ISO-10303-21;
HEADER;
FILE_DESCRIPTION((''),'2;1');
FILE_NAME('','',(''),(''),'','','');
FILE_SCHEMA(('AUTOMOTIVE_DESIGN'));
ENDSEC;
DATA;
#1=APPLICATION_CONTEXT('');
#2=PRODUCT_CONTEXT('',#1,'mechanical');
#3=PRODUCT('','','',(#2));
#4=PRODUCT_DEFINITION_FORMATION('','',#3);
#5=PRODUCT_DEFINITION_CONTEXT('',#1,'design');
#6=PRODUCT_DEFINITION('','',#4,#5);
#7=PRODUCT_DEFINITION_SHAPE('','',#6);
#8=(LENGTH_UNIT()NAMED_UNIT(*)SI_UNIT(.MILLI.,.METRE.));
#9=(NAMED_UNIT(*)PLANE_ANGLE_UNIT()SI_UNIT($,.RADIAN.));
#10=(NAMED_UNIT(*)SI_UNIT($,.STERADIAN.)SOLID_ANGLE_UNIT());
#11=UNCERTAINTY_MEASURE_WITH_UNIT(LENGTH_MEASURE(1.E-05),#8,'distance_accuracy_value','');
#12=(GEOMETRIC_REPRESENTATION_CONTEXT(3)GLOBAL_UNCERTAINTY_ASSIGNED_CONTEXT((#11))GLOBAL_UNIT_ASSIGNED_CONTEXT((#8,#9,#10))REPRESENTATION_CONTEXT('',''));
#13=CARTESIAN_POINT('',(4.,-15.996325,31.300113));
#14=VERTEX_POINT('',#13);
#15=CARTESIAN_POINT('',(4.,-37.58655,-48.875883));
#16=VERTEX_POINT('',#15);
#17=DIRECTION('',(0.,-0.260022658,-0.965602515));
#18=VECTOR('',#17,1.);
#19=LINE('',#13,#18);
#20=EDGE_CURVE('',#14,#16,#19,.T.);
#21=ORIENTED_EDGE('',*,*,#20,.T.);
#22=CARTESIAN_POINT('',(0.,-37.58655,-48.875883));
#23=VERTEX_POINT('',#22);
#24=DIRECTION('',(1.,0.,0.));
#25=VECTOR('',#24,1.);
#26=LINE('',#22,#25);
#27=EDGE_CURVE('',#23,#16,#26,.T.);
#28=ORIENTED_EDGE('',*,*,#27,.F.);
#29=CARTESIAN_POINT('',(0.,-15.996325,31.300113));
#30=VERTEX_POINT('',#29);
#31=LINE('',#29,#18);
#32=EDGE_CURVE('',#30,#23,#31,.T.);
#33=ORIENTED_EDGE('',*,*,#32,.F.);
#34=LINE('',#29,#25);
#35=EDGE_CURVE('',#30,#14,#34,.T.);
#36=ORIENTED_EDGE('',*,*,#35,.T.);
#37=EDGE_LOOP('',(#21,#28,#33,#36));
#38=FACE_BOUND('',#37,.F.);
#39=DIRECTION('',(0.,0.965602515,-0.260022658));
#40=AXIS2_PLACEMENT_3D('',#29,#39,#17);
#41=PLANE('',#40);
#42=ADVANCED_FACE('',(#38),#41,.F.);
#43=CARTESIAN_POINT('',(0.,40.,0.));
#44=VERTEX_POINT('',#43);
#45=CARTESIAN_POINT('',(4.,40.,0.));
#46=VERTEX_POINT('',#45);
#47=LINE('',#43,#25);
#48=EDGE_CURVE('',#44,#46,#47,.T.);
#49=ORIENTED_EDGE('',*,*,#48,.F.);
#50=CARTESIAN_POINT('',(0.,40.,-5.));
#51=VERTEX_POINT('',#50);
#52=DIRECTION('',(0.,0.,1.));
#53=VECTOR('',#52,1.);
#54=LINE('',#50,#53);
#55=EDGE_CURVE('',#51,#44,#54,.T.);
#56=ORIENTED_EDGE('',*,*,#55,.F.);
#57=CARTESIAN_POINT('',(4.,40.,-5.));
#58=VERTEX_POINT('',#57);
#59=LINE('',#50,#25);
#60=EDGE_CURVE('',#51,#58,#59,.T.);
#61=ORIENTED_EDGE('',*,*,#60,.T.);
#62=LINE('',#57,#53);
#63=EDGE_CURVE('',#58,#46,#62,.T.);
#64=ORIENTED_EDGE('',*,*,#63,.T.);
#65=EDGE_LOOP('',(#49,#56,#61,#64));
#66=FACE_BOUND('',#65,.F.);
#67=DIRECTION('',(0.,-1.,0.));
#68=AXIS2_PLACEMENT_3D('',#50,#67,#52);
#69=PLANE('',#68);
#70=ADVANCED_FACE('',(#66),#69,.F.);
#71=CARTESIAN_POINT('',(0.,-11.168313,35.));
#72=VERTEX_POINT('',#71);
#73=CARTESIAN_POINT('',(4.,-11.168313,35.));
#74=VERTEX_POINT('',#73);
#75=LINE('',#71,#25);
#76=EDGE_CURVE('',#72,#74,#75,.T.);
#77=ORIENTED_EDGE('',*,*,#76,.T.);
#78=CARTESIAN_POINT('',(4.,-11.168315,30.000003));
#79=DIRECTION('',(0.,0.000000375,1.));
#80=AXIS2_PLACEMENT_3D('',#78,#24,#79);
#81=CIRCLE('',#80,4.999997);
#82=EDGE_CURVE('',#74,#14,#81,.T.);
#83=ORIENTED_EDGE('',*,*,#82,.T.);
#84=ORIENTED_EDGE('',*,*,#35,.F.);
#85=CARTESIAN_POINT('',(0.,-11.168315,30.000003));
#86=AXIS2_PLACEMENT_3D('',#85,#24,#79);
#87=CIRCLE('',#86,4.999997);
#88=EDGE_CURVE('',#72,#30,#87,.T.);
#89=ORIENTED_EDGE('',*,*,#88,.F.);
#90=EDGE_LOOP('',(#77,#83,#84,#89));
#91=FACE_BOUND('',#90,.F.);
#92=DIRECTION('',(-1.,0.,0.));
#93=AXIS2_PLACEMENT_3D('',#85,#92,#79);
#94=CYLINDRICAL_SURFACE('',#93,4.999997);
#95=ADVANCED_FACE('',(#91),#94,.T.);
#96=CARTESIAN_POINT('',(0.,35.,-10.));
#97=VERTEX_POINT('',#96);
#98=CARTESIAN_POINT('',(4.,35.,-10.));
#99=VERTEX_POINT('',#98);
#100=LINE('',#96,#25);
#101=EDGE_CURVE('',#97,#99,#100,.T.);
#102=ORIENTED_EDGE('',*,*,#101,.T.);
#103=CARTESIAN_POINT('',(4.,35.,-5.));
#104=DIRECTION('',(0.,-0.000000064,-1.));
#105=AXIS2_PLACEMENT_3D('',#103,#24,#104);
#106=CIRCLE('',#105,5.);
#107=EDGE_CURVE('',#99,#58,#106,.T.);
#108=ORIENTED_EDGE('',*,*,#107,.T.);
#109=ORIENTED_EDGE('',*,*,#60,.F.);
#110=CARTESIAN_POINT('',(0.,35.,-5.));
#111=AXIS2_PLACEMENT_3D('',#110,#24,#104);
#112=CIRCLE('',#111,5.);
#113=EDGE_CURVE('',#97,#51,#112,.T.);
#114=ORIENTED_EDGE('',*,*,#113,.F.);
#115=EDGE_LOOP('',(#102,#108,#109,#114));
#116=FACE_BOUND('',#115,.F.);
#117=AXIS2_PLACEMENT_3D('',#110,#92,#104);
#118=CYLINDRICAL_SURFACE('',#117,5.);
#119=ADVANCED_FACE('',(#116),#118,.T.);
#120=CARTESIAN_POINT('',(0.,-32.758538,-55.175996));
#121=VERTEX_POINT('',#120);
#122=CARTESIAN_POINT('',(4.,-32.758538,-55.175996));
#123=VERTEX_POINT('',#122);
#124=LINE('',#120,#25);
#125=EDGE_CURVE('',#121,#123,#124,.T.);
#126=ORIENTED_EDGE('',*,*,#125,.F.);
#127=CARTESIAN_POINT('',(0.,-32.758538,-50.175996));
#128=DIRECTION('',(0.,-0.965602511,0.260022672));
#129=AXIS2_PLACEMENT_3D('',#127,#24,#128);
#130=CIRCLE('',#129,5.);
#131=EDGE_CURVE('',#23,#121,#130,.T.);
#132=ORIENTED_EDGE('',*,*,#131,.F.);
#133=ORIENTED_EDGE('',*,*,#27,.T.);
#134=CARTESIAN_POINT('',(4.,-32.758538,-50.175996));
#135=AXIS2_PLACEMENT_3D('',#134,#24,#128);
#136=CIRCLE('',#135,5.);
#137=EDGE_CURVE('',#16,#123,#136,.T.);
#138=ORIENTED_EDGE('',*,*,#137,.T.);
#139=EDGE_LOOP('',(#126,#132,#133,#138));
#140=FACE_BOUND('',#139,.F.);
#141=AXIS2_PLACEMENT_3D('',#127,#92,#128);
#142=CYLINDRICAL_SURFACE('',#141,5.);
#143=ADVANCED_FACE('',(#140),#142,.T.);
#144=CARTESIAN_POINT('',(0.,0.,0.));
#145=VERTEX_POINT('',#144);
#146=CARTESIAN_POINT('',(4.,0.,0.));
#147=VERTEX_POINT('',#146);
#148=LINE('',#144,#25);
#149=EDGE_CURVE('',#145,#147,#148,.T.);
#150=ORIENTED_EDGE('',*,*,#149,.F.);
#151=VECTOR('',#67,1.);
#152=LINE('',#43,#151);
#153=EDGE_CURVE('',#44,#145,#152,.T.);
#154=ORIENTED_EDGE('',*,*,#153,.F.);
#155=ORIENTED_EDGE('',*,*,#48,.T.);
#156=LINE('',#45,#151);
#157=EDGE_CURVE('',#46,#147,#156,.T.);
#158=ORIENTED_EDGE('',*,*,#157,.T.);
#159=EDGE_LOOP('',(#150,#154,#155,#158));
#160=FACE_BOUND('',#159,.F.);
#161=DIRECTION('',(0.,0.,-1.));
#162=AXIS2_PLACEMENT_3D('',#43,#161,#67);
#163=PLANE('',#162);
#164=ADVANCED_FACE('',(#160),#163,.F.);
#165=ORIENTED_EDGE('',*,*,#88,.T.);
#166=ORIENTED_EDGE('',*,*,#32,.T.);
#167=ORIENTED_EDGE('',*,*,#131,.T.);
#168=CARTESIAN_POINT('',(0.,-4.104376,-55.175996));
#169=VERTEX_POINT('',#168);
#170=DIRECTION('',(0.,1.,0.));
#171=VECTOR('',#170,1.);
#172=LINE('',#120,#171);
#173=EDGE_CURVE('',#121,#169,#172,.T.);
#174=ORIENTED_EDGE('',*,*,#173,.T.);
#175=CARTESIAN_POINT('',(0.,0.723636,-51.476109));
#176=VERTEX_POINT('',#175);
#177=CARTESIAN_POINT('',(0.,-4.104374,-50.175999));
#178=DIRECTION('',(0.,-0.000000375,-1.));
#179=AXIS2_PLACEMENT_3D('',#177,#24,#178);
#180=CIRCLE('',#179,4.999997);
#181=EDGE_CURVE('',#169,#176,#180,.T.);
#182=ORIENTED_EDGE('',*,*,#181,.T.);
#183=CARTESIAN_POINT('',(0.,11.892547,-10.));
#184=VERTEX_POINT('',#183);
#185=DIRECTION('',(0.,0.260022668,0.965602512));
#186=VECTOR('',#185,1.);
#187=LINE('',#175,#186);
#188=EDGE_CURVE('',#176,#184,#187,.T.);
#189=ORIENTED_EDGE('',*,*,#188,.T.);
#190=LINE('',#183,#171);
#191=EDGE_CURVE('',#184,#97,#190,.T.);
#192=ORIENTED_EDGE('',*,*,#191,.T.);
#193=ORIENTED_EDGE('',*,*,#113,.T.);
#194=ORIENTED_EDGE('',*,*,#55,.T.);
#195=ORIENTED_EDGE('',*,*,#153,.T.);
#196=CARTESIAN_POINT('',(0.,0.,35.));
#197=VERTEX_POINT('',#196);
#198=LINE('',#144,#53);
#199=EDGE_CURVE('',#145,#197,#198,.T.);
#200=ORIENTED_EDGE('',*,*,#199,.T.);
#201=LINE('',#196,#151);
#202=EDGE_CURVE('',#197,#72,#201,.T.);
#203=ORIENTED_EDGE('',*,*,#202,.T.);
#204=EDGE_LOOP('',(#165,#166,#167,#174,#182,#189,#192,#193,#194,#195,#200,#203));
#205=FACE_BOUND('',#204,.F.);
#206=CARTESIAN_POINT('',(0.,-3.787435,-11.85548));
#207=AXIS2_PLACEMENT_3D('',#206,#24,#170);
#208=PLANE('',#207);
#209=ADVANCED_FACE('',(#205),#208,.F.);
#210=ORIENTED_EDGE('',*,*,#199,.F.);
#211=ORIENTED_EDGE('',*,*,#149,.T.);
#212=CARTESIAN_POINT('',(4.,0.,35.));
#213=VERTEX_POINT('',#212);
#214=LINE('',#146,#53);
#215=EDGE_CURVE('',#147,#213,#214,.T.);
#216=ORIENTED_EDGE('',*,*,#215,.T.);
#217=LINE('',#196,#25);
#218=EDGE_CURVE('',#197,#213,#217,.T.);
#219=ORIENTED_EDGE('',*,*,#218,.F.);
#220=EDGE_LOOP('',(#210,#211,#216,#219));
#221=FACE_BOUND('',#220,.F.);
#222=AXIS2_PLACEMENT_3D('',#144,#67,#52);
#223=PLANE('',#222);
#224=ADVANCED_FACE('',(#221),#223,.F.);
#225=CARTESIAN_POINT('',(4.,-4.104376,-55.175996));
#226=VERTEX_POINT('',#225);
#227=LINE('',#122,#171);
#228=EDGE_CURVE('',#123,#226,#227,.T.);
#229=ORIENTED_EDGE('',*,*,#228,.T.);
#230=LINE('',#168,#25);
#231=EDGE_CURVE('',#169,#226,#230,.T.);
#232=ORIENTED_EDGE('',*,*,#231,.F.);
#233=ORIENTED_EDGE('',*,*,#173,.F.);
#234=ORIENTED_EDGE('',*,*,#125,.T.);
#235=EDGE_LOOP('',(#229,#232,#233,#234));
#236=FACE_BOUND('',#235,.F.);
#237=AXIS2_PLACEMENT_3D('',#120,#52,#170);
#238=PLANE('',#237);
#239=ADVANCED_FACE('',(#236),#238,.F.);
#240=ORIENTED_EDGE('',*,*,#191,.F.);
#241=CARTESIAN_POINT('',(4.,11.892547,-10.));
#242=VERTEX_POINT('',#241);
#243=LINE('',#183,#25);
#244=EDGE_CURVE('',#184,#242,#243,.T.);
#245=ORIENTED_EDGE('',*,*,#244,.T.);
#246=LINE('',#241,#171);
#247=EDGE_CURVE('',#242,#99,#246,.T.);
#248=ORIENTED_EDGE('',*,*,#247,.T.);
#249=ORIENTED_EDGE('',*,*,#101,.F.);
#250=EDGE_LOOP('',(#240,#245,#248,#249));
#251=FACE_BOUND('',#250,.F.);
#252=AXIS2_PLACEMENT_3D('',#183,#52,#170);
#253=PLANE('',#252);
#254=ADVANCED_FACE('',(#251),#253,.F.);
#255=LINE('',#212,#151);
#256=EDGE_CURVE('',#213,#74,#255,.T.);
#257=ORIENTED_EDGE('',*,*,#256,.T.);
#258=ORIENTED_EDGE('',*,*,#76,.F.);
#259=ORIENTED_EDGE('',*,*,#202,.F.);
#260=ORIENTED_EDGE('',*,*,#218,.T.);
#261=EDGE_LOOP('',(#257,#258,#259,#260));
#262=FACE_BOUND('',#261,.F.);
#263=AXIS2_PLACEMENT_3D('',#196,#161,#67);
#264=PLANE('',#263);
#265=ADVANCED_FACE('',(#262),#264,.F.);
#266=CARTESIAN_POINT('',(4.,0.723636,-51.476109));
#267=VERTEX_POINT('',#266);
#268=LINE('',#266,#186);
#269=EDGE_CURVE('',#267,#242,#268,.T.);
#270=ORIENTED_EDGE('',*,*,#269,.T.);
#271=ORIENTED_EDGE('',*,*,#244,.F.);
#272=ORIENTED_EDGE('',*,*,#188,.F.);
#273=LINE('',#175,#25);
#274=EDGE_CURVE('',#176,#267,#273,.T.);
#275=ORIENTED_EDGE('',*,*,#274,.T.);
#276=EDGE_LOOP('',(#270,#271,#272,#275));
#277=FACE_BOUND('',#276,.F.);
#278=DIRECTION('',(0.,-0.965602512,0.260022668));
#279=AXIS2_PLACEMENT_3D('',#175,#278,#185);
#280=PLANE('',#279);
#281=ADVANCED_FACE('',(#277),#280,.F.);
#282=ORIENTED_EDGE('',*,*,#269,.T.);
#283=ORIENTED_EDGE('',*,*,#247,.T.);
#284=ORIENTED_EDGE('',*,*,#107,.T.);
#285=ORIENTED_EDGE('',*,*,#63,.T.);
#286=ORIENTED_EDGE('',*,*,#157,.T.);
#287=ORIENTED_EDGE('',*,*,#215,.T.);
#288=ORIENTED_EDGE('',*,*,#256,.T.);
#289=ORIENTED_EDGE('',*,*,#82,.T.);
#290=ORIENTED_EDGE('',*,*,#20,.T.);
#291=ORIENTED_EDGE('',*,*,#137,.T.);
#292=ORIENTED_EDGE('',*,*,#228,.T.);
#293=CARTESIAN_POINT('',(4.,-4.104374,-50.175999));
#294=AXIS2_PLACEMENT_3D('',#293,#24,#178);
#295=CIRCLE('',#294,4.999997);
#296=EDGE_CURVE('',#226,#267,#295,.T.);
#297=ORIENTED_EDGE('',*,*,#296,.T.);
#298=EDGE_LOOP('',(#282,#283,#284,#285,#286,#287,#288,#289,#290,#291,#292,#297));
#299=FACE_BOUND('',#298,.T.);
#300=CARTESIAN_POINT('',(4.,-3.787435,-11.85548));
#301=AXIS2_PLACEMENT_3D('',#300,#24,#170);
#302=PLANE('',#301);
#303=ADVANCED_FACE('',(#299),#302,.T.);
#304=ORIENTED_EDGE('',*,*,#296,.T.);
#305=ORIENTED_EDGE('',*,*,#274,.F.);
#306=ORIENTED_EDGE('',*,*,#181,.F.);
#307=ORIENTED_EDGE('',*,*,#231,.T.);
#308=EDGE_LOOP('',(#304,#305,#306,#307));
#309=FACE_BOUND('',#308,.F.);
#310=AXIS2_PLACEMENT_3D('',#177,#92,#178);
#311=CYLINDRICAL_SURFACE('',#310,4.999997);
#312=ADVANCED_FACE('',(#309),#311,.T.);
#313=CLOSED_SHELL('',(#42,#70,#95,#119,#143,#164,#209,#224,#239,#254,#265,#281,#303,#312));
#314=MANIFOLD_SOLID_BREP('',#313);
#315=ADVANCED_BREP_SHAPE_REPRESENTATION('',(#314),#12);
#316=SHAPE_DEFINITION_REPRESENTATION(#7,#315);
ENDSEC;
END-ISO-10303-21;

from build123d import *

# Parameters (mm, degrees)
F1_DEPTH = 4


with BuildPart() as f1:
    # F0 (on Right) → F1 (new body)
    with BuildSketch(Plane.YZ):
        with BuildLine():
            Line((40, 0), (0, 0))
            Line((0, 0), (0, 35))
            Line((0, 35), (-11.168313, 35))
            ThreePointArc((-11.168313, 35), (-14.209648, 33.968663), (-15.996325, 31.300113))
            Line((-15.996325, 31.300113), (-37.58655, -48.875883))
            ThreePointArc((-37.58655, -48.875883), (-36.7272, -53.217331), (-32.758538, -55.175996))
            Line((-32.758538, -55.175996), (-4.104376, -55.175996))
            ThreePointArc((-4.104376, -55.175996), (-1.063041, -54.144659), (0.723636, -51.476109))
            Line((0.723636, -51.476109), (11.892547, -10))
            Line((11.892547, -10), (35, -10))
            ThreePointArc((35, -10), (38.535534, -8.535534), (40, -5))
            Line((40, -5), (40, 0))
        make_face()
    extrude(amount=F1_DEPTH)


solid = f1.part
